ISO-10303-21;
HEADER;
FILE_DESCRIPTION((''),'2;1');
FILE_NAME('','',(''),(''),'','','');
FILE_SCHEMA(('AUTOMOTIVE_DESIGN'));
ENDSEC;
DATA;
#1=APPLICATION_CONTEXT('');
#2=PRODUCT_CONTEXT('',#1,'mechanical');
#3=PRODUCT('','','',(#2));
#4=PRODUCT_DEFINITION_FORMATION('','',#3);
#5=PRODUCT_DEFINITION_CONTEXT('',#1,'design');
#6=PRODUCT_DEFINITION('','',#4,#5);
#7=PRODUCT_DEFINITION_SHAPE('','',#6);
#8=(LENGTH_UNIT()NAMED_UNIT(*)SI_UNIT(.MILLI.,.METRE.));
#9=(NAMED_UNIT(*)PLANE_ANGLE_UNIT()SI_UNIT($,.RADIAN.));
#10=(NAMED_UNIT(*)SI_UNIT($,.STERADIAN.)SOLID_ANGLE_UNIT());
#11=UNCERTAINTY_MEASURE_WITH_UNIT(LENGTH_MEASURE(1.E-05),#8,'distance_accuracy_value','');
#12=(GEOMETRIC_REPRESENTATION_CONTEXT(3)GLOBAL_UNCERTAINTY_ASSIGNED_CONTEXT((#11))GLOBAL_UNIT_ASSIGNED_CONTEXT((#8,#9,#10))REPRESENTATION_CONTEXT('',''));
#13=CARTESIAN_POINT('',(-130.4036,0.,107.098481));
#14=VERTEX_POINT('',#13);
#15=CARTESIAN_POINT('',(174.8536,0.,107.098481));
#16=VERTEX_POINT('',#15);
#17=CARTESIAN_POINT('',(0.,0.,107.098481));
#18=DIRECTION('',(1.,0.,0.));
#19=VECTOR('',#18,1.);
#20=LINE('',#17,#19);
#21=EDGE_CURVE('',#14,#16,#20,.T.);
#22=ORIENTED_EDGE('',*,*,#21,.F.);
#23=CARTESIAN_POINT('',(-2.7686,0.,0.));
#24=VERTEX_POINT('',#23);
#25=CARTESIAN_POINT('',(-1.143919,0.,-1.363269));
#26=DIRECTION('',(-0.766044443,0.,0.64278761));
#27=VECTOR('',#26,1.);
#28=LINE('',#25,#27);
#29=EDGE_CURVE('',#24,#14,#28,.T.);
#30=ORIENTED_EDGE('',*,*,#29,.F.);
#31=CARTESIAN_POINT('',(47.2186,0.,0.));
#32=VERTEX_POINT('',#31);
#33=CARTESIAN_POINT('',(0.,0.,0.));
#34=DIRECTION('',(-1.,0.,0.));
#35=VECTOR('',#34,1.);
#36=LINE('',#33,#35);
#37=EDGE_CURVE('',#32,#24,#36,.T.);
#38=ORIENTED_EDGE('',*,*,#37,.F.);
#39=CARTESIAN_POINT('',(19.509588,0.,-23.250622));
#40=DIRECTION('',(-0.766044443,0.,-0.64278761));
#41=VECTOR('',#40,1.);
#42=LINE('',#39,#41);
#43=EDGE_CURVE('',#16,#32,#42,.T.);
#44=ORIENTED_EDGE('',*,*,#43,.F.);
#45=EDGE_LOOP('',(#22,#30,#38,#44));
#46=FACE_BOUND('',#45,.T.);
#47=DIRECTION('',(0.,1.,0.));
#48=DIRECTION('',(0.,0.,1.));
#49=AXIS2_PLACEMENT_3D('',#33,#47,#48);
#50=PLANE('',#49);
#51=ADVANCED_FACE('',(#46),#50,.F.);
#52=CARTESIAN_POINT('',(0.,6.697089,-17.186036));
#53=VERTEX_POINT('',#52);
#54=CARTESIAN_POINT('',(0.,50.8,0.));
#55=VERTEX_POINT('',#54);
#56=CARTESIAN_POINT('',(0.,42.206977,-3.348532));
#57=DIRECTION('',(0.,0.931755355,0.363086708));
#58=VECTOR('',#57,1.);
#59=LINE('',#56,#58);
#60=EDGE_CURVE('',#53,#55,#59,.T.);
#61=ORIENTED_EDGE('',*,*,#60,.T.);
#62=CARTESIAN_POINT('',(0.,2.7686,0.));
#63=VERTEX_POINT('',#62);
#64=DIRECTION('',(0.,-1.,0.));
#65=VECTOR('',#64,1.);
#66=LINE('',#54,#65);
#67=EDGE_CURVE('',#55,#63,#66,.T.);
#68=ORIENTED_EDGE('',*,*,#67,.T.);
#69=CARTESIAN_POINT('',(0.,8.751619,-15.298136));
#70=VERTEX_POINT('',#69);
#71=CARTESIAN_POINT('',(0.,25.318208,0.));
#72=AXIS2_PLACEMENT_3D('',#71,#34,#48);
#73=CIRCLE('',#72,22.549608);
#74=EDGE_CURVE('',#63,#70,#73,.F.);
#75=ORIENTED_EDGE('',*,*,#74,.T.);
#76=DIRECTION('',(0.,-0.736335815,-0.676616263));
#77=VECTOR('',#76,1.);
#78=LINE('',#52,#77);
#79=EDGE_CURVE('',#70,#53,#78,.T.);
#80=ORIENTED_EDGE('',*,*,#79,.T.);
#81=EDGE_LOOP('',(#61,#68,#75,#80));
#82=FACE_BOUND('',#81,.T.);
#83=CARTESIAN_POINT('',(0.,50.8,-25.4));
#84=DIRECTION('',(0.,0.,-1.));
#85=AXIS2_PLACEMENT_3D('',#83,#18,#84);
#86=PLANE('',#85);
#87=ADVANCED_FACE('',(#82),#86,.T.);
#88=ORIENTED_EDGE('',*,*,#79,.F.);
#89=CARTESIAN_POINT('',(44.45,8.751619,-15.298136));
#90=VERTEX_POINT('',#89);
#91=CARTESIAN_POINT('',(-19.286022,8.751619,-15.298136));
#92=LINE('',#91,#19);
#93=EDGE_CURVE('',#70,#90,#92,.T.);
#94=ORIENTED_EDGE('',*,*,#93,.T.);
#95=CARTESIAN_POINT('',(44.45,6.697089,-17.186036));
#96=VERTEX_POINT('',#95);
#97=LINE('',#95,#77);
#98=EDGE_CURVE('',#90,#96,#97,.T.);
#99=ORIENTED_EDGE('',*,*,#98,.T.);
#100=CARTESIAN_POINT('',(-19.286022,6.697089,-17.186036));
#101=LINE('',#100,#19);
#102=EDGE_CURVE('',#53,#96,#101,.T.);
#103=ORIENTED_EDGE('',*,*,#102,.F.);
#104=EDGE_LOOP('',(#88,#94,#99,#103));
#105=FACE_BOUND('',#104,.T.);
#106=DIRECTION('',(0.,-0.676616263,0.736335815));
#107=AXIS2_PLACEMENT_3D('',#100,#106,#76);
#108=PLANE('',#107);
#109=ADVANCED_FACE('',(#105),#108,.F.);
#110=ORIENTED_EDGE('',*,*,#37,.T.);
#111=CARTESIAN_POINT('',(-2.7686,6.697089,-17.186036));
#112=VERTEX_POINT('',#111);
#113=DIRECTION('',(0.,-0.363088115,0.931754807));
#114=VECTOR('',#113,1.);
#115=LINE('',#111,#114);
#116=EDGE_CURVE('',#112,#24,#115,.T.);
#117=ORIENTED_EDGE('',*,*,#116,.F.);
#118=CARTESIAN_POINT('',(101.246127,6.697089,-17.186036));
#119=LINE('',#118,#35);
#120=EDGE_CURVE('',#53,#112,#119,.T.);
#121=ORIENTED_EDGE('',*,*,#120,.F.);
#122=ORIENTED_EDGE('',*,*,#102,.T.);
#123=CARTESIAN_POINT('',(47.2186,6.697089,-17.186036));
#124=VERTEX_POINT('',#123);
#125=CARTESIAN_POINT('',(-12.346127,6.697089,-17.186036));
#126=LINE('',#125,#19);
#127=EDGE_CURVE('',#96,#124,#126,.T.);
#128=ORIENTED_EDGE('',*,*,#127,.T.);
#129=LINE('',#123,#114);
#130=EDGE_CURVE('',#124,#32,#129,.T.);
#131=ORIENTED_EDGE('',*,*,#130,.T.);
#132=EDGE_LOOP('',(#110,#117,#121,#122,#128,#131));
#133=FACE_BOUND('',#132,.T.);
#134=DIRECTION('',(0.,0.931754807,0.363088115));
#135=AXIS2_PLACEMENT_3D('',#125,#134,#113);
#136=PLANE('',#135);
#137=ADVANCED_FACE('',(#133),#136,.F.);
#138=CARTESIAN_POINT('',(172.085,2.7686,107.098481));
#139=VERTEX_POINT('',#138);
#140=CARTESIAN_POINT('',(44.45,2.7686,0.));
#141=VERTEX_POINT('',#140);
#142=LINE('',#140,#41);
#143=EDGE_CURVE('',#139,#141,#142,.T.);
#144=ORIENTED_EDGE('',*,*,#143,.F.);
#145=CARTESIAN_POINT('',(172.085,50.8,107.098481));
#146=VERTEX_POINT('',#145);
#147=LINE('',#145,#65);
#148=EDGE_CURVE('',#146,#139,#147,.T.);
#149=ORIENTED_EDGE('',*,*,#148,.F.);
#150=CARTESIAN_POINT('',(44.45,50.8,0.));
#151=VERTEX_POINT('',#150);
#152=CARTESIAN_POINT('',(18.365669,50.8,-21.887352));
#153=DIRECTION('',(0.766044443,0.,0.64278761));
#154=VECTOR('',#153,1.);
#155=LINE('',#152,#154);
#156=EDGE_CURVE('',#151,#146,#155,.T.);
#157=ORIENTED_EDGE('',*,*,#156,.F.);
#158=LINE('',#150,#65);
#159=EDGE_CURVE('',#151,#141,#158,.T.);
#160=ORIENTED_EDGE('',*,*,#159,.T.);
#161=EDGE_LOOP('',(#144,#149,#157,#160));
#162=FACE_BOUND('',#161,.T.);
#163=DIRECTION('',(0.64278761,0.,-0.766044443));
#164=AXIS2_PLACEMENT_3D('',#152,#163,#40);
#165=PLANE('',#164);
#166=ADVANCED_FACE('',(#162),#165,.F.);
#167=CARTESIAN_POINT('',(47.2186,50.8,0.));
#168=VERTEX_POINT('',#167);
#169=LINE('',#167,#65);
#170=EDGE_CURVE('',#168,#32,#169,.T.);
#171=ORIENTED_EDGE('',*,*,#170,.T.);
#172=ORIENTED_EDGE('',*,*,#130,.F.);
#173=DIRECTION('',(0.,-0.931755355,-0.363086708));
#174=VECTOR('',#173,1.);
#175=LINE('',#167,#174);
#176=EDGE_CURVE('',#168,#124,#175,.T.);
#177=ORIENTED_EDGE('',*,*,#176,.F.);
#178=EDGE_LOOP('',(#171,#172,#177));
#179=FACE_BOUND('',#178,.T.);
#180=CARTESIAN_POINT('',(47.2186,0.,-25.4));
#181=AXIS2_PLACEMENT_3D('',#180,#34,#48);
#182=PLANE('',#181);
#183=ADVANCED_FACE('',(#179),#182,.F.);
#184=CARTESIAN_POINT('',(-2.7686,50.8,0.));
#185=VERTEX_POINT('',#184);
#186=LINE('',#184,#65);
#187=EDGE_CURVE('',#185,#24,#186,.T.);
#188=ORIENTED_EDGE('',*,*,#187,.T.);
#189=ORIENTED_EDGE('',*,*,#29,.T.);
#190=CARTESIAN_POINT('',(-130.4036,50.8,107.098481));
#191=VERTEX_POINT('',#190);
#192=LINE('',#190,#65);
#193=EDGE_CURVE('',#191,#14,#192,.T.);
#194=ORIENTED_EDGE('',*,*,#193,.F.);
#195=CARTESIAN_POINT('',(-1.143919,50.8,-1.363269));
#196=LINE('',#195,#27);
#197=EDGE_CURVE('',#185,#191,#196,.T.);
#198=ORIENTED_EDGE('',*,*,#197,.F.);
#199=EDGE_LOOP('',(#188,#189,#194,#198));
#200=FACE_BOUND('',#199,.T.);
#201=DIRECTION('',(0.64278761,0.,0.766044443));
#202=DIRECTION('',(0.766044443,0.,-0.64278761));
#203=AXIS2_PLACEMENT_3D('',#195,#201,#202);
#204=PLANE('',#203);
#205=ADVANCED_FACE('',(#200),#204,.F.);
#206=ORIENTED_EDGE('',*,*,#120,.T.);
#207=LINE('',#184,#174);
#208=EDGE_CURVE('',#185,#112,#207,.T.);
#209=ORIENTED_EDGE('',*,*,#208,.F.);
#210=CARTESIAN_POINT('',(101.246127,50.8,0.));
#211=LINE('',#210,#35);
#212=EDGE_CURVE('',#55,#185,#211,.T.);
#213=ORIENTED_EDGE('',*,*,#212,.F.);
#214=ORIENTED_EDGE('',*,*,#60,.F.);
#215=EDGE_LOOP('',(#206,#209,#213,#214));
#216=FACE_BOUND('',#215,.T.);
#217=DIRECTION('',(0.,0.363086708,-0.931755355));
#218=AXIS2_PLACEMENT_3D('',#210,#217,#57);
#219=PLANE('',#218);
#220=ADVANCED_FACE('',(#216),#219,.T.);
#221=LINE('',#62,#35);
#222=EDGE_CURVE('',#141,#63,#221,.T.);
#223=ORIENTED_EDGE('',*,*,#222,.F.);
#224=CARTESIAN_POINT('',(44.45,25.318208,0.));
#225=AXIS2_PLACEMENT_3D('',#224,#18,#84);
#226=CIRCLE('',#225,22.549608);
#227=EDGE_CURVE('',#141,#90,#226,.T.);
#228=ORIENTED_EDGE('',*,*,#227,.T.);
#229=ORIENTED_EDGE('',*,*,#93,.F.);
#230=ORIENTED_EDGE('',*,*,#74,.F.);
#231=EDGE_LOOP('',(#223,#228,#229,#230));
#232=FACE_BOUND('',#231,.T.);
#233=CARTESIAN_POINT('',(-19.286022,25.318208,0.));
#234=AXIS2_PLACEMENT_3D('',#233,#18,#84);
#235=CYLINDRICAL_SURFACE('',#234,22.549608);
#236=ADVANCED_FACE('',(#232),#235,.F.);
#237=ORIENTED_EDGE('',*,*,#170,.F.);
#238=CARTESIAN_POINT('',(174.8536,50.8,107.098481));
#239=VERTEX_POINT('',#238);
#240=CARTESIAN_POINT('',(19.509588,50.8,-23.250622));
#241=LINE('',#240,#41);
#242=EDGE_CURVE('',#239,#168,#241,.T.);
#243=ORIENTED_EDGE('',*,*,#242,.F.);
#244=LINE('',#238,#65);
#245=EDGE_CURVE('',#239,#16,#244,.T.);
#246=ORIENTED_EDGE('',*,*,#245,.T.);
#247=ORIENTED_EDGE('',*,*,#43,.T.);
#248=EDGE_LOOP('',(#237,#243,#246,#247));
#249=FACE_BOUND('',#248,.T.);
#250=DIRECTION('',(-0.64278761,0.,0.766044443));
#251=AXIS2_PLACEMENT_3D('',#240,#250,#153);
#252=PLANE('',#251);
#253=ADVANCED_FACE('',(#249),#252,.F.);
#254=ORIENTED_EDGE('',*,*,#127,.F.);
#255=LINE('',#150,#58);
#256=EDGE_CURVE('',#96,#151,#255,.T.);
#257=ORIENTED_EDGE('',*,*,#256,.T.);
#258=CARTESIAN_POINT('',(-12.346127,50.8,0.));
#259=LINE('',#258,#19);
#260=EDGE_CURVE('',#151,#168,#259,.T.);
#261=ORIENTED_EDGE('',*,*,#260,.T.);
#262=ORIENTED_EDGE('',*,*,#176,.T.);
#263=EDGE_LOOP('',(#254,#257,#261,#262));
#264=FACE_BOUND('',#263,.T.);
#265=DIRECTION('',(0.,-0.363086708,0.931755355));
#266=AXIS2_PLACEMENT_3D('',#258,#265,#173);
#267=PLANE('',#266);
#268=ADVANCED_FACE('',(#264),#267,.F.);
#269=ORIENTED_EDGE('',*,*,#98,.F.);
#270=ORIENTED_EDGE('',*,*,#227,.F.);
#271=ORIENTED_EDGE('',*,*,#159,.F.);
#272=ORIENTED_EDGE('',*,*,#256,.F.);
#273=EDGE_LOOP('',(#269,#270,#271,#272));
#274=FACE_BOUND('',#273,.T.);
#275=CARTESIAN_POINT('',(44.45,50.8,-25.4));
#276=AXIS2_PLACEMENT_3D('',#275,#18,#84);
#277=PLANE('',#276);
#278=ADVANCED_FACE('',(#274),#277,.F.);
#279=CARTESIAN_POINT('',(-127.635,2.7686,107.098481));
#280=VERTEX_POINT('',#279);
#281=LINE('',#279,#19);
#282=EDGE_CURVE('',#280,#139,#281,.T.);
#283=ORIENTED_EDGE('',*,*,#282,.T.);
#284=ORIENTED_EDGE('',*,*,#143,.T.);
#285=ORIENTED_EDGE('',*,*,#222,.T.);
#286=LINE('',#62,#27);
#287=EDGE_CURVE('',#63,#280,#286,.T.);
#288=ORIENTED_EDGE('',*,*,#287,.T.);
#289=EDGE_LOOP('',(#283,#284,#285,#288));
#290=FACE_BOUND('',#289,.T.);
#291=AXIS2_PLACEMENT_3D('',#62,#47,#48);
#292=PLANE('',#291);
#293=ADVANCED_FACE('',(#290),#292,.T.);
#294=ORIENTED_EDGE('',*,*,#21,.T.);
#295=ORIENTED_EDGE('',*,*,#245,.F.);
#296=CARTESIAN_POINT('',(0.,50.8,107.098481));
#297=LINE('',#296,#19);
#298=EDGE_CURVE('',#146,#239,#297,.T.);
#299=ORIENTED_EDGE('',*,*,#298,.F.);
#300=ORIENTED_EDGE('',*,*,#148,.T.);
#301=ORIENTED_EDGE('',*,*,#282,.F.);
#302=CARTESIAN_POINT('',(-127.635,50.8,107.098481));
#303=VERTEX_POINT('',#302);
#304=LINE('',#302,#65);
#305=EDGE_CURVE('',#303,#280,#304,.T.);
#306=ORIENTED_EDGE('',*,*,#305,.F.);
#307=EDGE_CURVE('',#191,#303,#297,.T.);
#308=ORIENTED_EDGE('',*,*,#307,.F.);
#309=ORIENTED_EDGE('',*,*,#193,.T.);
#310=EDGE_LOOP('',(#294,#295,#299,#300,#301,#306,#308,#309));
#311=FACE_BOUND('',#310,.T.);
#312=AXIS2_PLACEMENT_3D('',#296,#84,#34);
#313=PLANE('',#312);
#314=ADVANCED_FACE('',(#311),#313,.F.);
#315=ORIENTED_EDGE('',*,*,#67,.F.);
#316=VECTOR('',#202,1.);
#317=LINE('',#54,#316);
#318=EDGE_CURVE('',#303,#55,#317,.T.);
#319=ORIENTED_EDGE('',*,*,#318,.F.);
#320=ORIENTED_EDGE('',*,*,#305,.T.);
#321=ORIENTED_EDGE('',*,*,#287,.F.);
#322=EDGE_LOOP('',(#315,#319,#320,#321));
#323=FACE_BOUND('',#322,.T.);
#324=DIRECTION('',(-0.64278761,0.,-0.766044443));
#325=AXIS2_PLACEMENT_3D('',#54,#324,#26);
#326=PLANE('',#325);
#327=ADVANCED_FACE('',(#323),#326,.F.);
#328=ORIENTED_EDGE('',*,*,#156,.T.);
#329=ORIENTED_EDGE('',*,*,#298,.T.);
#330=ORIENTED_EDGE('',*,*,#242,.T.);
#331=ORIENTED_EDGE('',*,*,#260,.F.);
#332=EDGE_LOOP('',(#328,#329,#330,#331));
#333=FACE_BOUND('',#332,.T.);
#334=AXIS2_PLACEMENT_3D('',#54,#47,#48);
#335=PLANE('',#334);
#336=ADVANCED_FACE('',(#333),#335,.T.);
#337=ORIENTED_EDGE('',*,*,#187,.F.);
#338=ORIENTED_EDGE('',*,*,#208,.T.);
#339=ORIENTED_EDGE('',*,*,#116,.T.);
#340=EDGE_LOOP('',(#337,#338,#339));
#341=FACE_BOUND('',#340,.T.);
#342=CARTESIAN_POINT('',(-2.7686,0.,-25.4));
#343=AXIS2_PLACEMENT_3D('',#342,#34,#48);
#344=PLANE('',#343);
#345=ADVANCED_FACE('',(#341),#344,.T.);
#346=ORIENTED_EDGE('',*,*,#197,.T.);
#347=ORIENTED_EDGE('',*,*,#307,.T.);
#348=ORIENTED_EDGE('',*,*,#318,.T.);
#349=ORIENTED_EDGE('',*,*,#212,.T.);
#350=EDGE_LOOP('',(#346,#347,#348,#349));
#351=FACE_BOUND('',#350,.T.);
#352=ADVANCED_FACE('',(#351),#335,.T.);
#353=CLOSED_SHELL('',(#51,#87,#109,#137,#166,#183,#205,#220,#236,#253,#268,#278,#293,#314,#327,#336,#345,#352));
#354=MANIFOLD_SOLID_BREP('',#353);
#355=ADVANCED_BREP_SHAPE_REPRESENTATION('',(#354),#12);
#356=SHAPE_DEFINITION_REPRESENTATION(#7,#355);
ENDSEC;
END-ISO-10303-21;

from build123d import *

# Parameters (mm, degrees)
BOSS_EXTRUDE1_DEPTH   = 2.7686
BOSS_EXTRUDE2_START   = -2.7686
BOSS_EXTRUDE2_DEPTH   = 50.8
BOSS_EXTRUDE2_2_DEPTH = 50.8
SKETCH4_W             = 2.7686
SKETCH4_H             = 50.8
BOSS_EXTRUDE3_DEPTH   = 25.4
CUT_EXTRUDE1_DEPTH    = 47.2186
BOSS_EXTRUDE6_DEPTH   = 44.45


with BuildPart() as part:
    # Sketch1 → Boss-Extrude1 (new body)
    with BuildSketch(Plane(origin=(0, 0, 0), x_dir=(1, 0, 0), z_dir=(0, 1, 0))):
        Polygon((0, 0), (44.45, 0), (172.085, -107.098481425), (-127.635, -107.098481425), align=None)
    extrude(amount=BOSS_EXTRUDE1_DEPTH)



with BuildPart() as body_2:
    # Sketch2 → Boss-Extrude2 (new body)
    with BuildSketch(Plane(origin=(0, 2.7686, 0), x_dir=(1, 0, 0), z_dir=(0, 1, 0)).offset(BOSS_EXTRUDE2_START)):
        Polygon((0, 0), (-127.635, -107.098481425), (-130.4036, -107.098481425), (-2.7686, 0), align=None)
    extrude(amount=BOSS_EXTRUDE2_DEPTH)


with BuildPart() as body_3:
    # Sketch2 → Boss-Extrude2 2 (new body)
    with BuildSketch(Plane(origin=(0, 2.7686, 0), x_dir=(1, 0, 0), z_dir=(0, 1, 0)).offset(BOSS_EXTRUDE2_START)):
        Polygon((44.45, 0), (47.2186, 0), (174.8536, -107.098481425), (172.085, -107.098481425), align=None)
    extrude(amount=BOSS_EXTRUDE2_2_DEPTH)


with BuildPart() as part_1:
    add(part.part)

    add(body_3.part)  # Boss-Extrude3 merges body 3
    # Sketch4 → Boss-Extrude3 (add)
    with BuildSketch(Plane(origin=(0, 0, 0), x_dir=(-1, 0, 0), z_dir=(0, 0, -1))):
        with Locations((-45.8343, 25.4)):
            Rectangle(SKETCH4_W, SKETCH4_H)
    boss_extrude3 = extrude(amount=BOSS_EXTRUDE3_DEPTH)

    # Sketch5 → Cut-Extrude1 (cut)
    with BuildSketch(Plane(origin=(47.2186, 0, 0), x_dir=(0, 0, -1), z_dir=(1, 0, 0))):
        Polygon((17.186035514, 6.697089394), (0, 0), (25.4, 0), (25.4, 14.244871038), (25.4, 50.8), (0, 50.8), align=None)
    cut_extrude1 = extrude(amount=-CUT_EXTRUDE1_DEPTH, mode=Mode.SUBTRACT)


    add(body_2.part)  # Boss-Extrude6 merges body 2
    # Sketch10 → Boss-Extrude6 (add)
    with BuildSketch(Plane.ZY.offset(-44.45)):
        with BuildLine():
            Line((-17.186035514, 6.697089394), (-15.298135688, 8.75161917))
            ThreePointArc((-15.298135688, 8.75161917), (-8.213243481, 4.317554379), (0, 2.7686))
            Line((0, 2.7686), (0, 0))
            Line((0, 0), (-17.186035514, 6.697089394))
        make_face()
    extrude(amount=BOSS_EXTRUDE6_DEPTH)

    # Mirror1: Boss-Extrude3 across plane
    add(boss_extrude3.mirror(Plane.ZY.offset(-22.225)))

    # Mirror2: Cut-Extrude1 across plane
    add(cut_extrude1.mirror(Plane.ZY.offset(-22.225)), mode=Mode.SUBTRACT)


solid = part_1.part
